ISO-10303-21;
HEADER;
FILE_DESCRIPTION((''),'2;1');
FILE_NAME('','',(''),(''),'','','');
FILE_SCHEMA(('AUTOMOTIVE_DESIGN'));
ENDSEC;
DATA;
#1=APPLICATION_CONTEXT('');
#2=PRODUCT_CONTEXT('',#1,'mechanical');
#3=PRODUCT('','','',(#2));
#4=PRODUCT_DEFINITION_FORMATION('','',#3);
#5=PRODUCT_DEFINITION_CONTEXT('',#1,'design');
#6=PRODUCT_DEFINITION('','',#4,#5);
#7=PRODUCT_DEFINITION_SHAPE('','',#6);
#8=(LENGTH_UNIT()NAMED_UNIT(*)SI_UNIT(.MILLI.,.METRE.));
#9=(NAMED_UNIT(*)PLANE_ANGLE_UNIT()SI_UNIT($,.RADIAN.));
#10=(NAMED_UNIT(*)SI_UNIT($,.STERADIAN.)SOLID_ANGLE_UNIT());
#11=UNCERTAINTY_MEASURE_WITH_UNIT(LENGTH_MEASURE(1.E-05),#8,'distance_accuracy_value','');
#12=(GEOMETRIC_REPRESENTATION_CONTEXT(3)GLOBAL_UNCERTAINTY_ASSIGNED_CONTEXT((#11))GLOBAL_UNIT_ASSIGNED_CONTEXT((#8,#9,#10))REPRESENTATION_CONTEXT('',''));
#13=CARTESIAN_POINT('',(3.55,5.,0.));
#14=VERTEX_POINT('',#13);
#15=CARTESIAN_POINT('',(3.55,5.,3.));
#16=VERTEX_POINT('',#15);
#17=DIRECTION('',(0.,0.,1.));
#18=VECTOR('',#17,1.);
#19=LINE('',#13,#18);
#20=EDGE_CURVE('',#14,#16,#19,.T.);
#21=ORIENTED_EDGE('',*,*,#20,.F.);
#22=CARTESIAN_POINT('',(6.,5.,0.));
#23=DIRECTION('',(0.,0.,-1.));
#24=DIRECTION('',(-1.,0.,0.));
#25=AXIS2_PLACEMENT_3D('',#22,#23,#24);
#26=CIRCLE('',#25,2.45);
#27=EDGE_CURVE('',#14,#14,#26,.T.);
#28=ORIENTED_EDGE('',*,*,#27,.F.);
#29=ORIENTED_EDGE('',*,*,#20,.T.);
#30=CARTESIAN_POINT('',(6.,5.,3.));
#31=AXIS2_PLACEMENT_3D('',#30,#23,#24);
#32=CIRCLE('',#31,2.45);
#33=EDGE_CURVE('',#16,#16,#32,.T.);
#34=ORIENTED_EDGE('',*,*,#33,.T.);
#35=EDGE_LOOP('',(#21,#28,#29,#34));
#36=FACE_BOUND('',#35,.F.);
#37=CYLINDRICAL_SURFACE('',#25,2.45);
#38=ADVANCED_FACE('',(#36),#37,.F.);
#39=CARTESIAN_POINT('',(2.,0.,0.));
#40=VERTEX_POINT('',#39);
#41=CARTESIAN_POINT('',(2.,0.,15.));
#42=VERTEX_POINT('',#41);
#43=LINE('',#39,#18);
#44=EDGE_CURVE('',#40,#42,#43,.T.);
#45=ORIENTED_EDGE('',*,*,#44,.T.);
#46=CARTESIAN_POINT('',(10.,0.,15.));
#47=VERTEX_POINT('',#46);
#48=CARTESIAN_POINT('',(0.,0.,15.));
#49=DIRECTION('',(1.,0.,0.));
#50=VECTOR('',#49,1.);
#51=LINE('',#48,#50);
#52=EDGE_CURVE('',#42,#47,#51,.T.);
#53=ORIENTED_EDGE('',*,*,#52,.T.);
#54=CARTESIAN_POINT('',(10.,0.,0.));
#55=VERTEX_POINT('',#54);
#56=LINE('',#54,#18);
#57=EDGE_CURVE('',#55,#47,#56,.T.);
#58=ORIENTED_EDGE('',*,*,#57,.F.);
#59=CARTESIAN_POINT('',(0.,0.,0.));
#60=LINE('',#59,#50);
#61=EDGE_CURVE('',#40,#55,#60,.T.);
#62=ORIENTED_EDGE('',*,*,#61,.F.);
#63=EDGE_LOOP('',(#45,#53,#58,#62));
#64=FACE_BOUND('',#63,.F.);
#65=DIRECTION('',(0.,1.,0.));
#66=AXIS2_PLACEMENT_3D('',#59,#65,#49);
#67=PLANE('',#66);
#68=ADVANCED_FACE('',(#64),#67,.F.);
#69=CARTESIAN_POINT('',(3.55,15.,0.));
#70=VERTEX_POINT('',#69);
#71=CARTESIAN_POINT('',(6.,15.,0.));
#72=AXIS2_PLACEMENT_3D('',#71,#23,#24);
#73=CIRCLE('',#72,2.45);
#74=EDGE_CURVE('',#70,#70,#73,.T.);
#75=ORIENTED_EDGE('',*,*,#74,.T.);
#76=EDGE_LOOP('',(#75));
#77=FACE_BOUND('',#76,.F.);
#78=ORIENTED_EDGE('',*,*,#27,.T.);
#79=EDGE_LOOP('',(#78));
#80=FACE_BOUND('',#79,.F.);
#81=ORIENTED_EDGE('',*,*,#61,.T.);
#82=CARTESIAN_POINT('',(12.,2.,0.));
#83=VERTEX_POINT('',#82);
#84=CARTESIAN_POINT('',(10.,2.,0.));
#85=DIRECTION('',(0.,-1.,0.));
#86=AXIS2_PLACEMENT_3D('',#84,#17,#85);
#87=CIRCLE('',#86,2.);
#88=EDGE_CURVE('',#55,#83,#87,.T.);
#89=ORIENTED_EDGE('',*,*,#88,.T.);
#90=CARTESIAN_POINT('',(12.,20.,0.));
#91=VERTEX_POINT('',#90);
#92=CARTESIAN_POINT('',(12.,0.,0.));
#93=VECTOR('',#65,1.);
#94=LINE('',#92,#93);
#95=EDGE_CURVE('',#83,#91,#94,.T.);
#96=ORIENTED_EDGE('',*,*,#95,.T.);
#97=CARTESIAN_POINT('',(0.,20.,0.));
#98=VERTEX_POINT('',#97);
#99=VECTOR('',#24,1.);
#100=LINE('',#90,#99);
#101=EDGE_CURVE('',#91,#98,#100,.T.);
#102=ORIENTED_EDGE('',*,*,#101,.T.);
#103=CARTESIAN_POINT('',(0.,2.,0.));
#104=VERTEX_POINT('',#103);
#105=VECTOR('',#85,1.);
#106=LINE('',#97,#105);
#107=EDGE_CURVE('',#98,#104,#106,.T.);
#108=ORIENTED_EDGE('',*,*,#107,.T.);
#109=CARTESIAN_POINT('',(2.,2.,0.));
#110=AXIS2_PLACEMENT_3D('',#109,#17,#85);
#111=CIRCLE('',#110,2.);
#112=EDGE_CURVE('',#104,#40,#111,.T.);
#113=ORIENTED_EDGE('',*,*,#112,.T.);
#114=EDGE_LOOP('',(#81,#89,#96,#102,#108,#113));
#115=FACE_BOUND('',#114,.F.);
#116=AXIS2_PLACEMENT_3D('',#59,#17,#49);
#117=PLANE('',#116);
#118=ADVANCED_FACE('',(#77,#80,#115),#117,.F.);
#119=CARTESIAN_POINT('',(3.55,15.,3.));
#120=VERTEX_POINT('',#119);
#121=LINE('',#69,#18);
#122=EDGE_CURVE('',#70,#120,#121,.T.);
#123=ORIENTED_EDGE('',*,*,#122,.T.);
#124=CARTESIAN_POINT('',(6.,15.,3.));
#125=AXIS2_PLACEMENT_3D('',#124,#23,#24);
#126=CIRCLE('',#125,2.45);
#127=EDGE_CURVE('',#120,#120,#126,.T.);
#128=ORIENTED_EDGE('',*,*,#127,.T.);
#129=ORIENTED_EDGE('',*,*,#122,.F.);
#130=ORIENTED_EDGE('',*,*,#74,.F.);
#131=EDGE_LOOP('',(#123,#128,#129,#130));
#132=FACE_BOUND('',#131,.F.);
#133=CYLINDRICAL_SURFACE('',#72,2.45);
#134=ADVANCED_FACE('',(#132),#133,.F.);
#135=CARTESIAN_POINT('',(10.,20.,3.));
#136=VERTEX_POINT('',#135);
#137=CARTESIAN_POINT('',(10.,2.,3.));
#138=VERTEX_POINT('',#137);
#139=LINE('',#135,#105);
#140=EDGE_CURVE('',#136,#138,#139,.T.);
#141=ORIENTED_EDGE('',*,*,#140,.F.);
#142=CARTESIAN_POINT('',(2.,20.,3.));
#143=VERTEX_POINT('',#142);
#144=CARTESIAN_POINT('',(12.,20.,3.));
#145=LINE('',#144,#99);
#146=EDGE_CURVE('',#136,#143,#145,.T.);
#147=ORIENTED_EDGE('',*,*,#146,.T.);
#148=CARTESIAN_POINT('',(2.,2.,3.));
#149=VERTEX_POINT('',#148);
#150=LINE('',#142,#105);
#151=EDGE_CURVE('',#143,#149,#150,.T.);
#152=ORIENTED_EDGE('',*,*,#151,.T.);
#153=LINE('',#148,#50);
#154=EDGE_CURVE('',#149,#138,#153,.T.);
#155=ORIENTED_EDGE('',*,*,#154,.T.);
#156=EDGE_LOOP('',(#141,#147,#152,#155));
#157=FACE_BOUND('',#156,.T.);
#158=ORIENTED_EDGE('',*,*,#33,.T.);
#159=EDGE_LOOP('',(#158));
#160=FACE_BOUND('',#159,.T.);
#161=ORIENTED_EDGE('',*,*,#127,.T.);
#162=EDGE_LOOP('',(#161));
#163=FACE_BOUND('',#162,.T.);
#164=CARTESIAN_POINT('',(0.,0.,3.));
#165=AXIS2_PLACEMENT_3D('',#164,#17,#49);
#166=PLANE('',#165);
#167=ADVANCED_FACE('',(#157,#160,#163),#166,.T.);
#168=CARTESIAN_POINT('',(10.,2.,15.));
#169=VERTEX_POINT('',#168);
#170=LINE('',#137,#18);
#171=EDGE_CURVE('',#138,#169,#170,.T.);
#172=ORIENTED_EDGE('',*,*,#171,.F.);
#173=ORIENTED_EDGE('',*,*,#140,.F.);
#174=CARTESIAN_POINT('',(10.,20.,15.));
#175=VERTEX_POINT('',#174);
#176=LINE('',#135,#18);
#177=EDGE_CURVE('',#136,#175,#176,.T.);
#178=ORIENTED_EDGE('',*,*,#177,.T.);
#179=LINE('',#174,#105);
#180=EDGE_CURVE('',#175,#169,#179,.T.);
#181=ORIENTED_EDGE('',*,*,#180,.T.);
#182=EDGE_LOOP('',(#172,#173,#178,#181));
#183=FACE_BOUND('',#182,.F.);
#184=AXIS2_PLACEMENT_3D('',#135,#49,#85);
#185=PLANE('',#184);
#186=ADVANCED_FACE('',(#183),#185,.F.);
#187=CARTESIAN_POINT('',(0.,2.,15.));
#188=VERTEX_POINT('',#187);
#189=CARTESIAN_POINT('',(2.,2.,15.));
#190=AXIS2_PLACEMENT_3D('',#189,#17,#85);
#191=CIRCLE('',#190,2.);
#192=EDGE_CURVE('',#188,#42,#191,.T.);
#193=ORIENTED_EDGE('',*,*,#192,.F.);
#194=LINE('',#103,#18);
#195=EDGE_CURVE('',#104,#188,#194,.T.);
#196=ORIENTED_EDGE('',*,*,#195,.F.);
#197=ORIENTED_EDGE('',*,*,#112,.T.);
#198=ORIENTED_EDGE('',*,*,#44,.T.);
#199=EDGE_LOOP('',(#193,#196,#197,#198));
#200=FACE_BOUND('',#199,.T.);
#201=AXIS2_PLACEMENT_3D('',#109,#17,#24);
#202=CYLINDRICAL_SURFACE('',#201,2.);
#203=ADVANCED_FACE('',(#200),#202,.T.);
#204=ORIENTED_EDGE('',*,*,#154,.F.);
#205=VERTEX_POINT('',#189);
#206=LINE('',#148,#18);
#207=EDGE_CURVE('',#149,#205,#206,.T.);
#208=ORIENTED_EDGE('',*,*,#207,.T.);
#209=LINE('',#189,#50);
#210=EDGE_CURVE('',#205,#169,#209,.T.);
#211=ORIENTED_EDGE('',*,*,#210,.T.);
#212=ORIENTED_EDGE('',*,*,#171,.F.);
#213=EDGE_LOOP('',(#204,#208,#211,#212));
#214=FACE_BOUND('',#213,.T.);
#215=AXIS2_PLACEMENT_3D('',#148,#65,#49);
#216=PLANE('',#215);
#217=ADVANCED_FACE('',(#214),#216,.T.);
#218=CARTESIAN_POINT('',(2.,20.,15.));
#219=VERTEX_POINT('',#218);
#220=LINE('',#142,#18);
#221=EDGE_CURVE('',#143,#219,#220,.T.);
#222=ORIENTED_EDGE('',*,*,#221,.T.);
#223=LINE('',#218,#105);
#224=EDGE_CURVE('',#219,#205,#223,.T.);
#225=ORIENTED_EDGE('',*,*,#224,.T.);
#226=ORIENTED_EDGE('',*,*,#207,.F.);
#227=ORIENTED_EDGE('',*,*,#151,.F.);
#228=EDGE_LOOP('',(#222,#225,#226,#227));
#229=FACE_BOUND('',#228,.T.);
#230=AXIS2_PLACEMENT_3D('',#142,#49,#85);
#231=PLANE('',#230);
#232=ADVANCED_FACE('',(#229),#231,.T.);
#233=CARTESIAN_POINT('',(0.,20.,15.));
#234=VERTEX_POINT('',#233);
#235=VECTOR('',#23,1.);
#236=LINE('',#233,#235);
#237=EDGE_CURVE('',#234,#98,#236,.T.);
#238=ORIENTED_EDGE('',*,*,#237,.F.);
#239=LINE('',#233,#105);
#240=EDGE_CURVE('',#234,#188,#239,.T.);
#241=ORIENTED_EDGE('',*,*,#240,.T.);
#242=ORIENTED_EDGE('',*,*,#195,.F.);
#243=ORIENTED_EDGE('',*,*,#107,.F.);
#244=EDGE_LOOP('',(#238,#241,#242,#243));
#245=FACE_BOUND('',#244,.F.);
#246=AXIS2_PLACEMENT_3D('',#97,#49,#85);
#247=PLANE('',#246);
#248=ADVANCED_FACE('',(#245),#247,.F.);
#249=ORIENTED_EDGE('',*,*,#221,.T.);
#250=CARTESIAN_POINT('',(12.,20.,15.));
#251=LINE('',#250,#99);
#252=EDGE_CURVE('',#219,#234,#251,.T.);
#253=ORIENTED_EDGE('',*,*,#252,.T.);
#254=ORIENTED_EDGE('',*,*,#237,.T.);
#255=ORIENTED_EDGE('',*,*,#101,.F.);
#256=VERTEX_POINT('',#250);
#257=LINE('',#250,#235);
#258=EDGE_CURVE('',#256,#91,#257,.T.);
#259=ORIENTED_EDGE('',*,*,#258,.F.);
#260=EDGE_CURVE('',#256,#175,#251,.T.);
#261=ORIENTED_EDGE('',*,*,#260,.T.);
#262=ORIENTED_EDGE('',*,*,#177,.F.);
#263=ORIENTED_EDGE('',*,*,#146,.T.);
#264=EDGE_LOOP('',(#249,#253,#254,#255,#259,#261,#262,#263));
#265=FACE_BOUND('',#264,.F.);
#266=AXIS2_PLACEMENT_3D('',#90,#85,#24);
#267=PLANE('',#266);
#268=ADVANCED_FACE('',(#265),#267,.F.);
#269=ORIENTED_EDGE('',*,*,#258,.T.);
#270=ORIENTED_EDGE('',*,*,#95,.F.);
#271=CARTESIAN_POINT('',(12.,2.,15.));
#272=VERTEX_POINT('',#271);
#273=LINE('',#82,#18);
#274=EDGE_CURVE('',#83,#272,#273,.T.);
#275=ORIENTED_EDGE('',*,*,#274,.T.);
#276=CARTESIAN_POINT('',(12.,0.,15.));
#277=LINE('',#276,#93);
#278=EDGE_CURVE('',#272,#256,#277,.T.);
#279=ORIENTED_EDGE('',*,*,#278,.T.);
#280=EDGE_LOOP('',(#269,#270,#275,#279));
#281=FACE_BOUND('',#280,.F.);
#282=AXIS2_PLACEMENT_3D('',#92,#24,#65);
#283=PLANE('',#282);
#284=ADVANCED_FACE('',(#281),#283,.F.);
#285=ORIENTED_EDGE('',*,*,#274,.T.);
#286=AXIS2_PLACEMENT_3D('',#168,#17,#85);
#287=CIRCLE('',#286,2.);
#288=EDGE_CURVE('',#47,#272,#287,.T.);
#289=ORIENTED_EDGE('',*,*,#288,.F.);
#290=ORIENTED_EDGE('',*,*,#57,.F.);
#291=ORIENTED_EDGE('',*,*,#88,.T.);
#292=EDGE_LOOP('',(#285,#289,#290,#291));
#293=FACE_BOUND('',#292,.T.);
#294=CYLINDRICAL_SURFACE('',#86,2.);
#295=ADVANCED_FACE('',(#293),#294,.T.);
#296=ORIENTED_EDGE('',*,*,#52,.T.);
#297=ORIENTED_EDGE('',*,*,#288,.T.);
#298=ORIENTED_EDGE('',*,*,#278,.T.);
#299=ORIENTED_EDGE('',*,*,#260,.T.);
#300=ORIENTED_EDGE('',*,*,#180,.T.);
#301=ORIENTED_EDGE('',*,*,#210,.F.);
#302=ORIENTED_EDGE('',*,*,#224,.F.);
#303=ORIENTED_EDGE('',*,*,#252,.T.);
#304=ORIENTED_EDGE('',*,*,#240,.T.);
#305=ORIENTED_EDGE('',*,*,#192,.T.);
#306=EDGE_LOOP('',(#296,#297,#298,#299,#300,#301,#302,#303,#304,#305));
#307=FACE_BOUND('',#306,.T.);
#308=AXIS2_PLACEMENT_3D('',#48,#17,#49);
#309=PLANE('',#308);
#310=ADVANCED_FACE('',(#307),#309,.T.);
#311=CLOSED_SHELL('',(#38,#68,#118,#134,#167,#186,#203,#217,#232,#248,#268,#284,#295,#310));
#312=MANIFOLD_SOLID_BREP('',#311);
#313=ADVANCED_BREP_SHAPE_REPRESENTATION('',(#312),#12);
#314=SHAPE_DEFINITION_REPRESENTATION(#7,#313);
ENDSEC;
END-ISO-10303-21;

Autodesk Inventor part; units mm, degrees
ref_plane "YZ Plane" through (0, 0, 0) normal (1, 0, 0) x (0, 1, 0)
ref_plane "XZ Plane" through (0, 0, 0) normal (0, 1, 0) x (-1, 0, 0)
ref_plane "XY Plane" through (0, 0, 0) normal (0, 0, 1) x (1, 0, 0)
sketch "스케치1" plane through (0, 0, 0) normal (0, 0, 1) x (1, 0, 0)
  line L0 (0, 0) -> (12, 0)
  line L1 (12, 0) -> (12, 20)
  line L2 (12, 20) -> (0, 20)
  line L3 (0, 20) -> (0, 0)
  dimension "d0" = 12
  dimension "d1" = 20
extrude "돌출1" add sketch "스케치1" along normal blind 3
sketch "스케치2" plane through (0, 0, 3) normal (0, 0, 1) x (1, 0, 0)
  line L0 (0, 20) -> (0, 0) projected
  line L1 (0, 0) -> (12, 0) projected
  line L2 (12, 0) -> (12, 20) projected
  line L3 (12, 20) -> (0, 20) projected
  line L4 (2, 20) -> (2, 0)
  line L5 (10, 20) -> (10, 0)
  line L6 (2, 2) -> (10, 2)
  dimension "d4" = 2
  dimension "d5" = 2
  dimension "d6" = 2
extrude "돌출2" add sketch "스케치2" along normal blind 12 contours L3 L4 L1 L0 | L4 L6 L5 L1 | L3 L2 L1 L5
sketch "스케치3" plane through (0, 0, 0) normal (0, 0, -1) x (-1, 0, 0)
  line L0 (0, 0) -> (-12, 0) projected
  circle A0 centre (-6, 5) radius 2.45
  circle A1 centre (-6, 15) radius 2.45
  point P0 (-6, 0)
  point P1 (-6, 0)
  dimension "d9" = 5
  dimension "d10" = 10
  dimension "d11" = 4.9
  dimension "d12" = 4.9
extrude "돌출3" cut sketch "스케치3" against normal blind 3
fillet "모깎기1" radius 2 2 edges at (12, 0, 7.5) (0, 0, 7.5)
properties part number "_3D 인쇄"
